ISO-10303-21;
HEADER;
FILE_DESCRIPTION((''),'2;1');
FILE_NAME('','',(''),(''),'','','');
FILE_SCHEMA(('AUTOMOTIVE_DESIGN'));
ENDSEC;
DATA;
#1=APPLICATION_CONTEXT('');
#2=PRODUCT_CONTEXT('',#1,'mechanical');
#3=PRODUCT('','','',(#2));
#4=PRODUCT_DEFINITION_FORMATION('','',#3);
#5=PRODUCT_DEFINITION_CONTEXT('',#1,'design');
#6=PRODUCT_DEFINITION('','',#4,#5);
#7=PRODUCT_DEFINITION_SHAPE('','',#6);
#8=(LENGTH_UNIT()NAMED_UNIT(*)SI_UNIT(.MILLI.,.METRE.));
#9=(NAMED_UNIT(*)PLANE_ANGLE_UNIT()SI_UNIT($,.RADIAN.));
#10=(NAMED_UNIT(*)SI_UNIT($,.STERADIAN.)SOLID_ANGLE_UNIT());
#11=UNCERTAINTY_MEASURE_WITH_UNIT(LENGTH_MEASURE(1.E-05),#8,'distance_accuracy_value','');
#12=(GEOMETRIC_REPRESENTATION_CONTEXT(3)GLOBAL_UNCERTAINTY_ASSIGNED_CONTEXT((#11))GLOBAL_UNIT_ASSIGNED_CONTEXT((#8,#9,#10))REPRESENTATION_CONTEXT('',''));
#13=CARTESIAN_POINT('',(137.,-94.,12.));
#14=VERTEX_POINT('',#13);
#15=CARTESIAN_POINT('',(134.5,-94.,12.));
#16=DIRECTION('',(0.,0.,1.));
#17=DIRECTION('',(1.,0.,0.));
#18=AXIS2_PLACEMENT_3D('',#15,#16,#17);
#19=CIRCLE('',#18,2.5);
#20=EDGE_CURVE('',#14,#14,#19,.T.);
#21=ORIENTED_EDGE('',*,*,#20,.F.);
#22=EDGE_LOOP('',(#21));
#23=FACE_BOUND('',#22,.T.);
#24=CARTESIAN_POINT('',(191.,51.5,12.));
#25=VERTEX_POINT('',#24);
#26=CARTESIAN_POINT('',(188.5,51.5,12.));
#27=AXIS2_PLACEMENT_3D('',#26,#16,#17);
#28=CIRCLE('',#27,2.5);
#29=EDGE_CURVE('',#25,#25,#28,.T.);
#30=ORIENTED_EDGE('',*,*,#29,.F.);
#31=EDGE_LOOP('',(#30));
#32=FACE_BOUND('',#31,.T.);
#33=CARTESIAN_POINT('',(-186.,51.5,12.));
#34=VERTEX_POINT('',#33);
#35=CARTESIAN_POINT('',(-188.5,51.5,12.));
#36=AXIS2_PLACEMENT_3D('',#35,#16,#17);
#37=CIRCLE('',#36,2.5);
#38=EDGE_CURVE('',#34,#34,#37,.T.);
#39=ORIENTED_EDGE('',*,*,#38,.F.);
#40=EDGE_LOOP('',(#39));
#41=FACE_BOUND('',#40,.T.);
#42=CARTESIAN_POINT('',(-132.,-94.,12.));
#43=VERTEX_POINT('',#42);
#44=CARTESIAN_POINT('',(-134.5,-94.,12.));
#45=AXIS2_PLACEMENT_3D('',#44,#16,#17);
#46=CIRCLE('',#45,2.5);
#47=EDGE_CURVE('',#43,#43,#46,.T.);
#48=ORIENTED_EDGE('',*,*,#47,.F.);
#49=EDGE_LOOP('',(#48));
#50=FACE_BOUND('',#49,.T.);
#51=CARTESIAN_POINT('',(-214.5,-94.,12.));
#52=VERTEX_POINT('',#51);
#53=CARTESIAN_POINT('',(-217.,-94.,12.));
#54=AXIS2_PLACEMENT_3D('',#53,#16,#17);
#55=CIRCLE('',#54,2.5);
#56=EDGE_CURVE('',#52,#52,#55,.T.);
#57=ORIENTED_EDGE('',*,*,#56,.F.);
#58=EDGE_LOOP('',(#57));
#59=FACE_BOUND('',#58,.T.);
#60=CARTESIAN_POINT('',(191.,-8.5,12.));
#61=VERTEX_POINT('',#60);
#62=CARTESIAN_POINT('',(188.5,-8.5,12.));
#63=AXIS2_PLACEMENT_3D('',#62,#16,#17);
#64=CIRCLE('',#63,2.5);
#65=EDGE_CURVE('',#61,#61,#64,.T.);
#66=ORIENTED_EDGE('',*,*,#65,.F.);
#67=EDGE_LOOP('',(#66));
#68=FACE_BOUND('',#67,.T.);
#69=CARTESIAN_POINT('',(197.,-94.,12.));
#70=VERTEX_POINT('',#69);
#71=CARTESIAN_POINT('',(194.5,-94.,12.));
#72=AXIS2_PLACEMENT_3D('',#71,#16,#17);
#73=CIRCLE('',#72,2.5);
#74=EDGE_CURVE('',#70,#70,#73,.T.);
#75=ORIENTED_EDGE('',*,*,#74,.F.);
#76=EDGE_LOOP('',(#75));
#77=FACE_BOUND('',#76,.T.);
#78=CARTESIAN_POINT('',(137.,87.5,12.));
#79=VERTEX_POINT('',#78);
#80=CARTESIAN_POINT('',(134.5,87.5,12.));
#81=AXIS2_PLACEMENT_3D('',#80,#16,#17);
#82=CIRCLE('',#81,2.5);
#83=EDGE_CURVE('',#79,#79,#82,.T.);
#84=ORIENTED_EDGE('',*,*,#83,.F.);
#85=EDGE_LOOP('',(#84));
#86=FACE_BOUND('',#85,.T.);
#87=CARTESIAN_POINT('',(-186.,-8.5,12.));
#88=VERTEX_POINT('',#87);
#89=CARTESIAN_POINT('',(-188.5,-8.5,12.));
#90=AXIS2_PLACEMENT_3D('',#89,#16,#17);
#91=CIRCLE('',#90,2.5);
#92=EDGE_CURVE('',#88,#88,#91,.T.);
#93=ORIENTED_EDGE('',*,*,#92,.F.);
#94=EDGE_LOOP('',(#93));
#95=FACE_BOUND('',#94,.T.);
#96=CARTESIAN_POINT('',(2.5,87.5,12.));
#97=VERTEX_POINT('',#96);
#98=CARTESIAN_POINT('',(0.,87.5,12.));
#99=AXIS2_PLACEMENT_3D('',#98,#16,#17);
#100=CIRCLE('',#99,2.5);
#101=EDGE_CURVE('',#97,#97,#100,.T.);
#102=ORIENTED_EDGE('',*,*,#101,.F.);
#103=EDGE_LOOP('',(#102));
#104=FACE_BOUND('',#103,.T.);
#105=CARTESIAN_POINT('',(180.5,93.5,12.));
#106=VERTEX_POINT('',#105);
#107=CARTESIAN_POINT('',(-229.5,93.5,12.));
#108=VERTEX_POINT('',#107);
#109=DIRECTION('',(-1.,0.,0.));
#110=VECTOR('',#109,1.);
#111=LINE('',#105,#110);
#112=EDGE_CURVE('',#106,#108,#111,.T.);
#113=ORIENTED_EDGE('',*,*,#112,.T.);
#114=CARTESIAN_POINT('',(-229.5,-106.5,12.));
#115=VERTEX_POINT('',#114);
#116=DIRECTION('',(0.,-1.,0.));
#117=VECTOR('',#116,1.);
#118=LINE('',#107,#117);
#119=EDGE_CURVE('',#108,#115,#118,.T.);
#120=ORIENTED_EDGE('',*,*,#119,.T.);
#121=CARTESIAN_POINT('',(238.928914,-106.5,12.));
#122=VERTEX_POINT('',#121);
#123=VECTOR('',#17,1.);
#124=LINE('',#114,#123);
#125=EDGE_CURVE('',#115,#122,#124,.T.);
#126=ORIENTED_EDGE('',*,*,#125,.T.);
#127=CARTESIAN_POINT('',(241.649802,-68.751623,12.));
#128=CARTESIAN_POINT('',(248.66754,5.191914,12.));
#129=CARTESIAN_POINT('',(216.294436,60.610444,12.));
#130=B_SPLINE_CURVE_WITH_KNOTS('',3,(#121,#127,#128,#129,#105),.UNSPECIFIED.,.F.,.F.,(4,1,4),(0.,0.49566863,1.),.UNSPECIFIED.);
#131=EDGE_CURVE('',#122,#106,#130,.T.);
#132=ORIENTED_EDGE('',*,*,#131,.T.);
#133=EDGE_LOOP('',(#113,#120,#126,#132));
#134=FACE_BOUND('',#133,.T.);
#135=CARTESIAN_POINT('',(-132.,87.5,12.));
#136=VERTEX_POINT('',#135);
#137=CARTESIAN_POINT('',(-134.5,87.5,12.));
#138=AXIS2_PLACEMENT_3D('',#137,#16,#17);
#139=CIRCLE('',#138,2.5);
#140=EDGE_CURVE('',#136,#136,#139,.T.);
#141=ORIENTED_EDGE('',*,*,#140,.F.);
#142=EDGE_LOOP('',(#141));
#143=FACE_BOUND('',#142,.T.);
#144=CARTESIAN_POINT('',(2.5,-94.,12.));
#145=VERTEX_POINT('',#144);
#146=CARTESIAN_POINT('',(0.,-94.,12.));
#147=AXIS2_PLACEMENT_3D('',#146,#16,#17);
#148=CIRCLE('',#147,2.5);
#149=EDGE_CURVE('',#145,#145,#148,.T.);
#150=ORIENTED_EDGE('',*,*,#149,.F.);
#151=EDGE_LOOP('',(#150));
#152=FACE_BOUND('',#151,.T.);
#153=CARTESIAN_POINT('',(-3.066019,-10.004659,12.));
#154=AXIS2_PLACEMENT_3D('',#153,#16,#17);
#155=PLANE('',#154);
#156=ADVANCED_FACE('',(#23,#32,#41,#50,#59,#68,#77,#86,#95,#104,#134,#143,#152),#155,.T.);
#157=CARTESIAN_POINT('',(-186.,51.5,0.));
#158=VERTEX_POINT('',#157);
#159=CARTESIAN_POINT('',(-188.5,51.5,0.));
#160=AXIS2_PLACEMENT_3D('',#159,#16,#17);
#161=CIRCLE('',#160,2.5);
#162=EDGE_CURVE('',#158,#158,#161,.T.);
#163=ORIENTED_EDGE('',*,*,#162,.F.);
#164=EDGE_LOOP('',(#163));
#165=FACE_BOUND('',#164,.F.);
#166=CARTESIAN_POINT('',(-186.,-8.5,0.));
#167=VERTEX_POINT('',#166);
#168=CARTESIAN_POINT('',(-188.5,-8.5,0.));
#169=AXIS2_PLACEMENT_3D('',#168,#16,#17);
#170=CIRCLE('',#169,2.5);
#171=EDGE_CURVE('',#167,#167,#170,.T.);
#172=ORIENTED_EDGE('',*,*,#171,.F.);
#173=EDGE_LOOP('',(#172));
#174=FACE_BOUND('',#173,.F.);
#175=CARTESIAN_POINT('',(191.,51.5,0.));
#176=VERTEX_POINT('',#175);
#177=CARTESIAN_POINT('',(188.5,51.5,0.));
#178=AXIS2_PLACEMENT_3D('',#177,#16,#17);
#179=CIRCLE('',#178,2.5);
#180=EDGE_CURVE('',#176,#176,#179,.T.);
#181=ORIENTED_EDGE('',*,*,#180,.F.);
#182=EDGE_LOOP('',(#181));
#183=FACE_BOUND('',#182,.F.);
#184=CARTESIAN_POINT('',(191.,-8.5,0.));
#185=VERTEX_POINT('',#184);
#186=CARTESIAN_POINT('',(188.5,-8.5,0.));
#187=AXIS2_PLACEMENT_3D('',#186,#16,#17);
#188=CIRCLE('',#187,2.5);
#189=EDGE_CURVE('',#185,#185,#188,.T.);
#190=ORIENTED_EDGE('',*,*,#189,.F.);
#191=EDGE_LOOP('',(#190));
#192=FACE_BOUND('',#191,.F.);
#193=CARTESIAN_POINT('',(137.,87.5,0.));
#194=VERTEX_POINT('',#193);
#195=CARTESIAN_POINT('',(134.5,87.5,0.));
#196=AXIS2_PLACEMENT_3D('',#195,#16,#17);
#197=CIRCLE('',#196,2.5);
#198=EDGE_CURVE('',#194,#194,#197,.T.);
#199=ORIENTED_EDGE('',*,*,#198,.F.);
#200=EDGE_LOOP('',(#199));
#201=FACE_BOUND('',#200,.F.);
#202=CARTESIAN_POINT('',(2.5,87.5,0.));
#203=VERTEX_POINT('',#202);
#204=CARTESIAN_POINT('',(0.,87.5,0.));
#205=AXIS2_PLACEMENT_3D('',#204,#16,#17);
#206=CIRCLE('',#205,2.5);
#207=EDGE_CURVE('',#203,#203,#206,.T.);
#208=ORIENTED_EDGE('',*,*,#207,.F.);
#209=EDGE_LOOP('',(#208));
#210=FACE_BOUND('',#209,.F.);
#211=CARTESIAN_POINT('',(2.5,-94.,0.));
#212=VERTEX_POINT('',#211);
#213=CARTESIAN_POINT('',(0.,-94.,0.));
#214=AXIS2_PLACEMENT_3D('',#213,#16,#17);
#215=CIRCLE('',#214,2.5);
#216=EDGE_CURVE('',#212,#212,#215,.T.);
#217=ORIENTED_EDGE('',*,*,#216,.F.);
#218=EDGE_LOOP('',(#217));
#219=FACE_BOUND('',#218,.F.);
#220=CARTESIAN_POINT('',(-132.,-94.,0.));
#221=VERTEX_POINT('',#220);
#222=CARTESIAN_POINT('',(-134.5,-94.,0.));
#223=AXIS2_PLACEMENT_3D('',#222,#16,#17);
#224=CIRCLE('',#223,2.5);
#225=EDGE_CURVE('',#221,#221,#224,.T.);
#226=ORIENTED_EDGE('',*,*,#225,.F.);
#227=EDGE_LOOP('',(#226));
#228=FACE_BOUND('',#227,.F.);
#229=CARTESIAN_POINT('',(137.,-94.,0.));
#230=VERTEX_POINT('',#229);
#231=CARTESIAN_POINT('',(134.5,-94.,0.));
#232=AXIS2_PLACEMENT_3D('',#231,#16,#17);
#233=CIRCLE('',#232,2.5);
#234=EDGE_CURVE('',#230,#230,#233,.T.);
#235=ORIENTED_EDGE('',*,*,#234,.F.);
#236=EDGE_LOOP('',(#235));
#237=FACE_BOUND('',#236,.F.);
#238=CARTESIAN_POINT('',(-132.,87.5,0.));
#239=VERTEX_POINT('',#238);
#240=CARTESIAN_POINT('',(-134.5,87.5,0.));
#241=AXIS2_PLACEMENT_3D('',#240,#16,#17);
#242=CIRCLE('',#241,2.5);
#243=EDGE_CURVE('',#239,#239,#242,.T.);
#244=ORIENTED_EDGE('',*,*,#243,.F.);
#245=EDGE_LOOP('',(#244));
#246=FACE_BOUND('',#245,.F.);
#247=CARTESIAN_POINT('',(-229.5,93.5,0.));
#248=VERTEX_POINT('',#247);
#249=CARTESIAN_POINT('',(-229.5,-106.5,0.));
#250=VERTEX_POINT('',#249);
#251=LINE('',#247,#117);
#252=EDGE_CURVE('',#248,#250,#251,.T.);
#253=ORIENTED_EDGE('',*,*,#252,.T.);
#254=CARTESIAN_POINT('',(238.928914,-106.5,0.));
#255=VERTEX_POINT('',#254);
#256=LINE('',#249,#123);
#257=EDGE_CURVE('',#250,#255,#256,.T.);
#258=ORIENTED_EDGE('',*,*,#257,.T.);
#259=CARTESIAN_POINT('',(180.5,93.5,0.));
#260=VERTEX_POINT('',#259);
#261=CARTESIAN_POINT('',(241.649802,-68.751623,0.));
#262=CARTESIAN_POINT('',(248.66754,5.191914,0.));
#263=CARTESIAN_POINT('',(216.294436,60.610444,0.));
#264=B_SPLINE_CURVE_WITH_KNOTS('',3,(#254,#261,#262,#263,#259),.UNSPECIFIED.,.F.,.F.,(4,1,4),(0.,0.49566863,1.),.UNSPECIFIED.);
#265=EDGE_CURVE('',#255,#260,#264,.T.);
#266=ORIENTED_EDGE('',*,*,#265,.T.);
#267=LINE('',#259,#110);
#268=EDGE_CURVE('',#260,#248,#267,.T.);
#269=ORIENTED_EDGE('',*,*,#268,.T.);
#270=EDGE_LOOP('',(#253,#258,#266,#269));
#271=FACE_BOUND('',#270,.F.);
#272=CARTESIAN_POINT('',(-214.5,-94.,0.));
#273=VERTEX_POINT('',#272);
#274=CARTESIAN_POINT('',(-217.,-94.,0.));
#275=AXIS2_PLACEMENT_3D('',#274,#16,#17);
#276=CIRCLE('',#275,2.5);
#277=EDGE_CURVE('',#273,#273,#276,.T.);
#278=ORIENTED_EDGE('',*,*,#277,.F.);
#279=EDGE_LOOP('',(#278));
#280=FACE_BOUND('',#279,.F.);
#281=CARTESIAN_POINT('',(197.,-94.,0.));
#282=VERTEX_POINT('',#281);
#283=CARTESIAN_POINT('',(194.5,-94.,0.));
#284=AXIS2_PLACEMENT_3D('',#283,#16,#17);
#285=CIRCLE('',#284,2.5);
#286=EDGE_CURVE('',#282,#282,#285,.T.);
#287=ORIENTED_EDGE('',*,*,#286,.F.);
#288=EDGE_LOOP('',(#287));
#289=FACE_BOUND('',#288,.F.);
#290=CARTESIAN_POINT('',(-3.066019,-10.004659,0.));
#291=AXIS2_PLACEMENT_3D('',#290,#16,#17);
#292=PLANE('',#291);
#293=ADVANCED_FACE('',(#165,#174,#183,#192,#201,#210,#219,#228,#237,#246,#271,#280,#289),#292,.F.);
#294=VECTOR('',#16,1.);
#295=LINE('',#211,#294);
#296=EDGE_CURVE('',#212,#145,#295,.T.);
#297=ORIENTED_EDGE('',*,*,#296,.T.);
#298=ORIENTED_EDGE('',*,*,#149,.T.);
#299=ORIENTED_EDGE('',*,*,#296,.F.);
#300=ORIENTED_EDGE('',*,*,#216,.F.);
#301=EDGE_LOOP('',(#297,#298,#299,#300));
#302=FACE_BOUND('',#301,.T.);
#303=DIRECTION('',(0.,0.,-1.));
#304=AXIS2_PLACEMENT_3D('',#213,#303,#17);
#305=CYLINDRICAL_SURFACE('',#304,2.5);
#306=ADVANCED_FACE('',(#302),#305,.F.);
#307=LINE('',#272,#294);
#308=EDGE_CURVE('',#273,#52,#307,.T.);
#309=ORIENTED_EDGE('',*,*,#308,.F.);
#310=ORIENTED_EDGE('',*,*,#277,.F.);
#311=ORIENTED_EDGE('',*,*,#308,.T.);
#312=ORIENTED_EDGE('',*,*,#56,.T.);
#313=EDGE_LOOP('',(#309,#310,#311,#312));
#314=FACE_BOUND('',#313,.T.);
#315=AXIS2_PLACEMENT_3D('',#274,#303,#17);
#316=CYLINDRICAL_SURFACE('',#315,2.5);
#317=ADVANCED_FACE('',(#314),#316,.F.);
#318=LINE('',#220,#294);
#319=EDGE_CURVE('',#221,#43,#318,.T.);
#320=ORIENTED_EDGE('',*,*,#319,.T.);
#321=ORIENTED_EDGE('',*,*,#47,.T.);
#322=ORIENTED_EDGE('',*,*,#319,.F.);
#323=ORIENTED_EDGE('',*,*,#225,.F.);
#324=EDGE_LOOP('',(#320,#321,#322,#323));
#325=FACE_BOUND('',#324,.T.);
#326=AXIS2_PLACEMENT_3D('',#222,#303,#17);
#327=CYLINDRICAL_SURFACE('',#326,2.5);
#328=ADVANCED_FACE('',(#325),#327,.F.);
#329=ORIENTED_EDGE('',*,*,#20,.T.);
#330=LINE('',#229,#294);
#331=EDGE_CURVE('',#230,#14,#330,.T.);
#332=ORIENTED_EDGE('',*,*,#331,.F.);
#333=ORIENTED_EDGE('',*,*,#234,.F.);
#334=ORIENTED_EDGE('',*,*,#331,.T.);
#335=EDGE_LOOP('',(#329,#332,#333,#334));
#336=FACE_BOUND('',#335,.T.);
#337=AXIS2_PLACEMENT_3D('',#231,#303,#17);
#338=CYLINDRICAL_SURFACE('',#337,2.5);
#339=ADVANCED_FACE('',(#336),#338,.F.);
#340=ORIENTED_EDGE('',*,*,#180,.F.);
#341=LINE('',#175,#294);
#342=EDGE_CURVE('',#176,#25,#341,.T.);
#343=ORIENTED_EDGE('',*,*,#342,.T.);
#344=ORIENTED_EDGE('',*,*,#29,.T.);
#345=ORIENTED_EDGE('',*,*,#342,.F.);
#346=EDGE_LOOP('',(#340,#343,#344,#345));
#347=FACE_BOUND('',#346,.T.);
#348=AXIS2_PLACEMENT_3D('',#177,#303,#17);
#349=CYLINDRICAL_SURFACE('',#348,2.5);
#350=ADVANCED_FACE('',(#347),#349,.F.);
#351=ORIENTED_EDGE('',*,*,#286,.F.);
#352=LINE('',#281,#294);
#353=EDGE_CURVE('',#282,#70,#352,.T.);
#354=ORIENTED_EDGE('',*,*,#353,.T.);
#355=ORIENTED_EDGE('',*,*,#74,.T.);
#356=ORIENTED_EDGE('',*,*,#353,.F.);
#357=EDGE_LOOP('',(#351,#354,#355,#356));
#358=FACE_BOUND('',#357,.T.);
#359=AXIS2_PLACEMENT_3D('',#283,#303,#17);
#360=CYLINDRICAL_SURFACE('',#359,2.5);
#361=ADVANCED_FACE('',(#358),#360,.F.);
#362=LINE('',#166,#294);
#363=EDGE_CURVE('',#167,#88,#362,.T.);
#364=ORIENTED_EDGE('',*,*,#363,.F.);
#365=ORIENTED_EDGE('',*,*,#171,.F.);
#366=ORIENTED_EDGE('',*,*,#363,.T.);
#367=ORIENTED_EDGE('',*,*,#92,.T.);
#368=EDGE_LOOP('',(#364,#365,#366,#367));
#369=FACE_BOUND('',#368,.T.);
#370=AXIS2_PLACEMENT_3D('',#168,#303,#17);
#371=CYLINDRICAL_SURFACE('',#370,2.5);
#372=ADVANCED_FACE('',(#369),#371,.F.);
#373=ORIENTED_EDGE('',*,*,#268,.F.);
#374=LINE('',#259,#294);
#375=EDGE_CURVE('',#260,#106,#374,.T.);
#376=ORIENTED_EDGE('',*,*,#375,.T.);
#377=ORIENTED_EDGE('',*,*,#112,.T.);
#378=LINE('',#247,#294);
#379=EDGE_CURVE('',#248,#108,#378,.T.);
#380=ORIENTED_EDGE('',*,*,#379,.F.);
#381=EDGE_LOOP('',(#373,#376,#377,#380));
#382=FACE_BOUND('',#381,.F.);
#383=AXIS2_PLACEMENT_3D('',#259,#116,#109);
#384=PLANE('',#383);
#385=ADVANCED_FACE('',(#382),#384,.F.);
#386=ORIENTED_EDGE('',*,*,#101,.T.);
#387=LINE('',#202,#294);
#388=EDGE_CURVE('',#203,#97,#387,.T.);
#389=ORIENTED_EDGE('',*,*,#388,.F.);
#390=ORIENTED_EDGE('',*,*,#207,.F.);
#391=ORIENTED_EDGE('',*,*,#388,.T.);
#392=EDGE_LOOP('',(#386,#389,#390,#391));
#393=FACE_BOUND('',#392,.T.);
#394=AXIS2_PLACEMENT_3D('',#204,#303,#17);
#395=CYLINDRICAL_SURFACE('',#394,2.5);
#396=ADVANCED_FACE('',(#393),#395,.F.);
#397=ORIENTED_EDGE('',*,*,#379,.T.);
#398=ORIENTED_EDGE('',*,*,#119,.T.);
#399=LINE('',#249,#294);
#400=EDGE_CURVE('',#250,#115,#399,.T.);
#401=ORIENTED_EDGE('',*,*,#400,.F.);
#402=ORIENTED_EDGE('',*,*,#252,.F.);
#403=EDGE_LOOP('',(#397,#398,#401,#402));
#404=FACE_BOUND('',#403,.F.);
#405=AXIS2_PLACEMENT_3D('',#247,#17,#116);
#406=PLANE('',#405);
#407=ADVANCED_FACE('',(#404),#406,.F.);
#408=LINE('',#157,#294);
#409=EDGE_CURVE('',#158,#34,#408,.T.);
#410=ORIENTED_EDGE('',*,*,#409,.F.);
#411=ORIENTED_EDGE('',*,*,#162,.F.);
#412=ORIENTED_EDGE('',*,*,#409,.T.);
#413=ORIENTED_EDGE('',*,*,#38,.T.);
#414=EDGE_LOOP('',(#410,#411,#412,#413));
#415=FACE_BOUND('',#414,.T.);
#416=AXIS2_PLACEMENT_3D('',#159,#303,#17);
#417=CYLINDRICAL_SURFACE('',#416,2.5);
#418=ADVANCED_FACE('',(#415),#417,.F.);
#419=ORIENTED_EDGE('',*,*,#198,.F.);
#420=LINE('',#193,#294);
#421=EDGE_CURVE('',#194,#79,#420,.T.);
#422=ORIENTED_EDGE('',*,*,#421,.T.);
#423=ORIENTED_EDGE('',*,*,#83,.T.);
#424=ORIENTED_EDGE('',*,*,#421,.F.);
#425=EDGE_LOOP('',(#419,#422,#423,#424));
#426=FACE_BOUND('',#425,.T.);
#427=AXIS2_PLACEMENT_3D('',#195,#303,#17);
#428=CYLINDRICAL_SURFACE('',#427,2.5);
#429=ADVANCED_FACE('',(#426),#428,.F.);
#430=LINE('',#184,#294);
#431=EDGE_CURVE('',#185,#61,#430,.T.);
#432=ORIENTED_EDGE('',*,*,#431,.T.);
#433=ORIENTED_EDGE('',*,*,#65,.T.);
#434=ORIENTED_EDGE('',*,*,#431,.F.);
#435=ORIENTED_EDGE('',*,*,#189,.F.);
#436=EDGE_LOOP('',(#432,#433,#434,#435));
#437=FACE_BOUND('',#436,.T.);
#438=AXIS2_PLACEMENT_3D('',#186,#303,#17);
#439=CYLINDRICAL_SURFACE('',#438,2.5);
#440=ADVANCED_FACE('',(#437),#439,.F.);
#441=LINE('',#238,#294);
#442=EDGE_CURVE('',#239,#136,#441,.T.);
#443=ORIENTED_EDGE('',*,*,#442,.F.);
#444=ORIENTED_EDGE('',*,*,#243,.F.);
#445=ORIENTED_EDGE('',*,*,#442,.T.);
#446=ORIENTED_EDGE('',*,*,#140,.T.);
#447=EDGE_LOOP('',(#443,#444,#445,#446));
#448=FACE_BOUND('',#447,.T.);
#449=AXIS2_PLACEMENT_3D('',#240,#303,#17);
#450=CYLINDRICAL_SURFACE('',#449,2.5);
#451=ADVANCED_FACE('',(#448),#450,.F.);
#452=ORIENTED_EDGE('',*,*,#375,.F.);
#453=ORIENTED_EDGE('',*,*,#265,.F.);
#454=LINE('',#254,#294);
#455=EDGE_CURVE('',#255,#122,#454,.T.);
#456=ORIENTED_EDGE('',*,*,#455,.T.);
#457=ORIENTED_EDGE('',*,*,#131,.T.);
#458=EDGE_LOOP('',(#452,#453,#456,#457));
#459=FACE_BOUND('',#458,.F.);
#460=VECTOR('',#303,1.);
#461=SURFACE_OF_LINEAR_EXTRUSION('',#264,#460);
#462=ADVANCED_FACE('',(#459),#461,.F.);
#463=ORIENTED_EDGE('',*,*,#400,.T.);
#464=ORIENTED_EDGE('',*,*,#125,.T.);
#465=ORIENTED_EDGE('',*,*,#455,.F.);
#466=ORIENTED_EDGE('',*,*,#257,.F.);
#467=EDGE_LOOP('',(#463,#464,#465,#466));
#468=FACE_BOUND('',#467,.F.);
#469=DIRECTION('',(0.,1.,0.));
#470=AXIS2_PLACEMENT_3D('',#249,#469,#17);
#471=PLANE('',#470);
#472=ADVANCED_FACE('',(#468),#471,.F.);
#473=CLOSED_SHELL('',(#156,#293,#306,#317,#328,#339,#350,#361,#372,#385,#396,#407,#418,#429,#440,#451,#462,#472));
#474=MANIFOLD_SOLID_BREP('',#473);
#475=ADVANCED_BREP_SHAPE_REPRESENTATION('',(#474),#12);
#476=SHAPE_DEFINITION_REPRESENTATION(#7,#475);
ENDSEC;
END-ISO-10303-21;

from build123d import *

# Parameters (mm, degrees)
F0_R     = 2.5
F1_DEPTH = 12


with BuildPart() as f1:
    # F0 (on Top) → F1 (new body)
    with BuildSketch(Plane.XY):
        with BuildLine():
            Line((-194.5, -106.5), (194.5, -106.5))
            Line((194.5, -106.5), (238.9289140701, -106.5))
            add(Edge.make_bspline(
                [(238.9289140701, -106.5), (241.6498019919, -68.7516226675), (248.6675399769, 5.1919141598), (216.2944364942, 60.6104442813), (180.5, 93.5)],
                knots=[0, 0, 0, 0, 0.4956686303, 1, 1, 1, 1], degree=3))
            Line((180.5, 93.5), (-194.5, 93.5))
            Line((-194.5, 93.5), (-229.5, 93.5))
            Line((-229.5, 93.5), (-229.5, -106.5))
            Line((-229.5, -106.5), (-194.5, -106.5))
        make_face()
        with Locations((-217, -94)):
            Circle(F0_R, mode=Mode.SUBTRACT)
        with Locations((-134.5, -94)):
            Circle(F0_R, mode=Mode.SUBTRACT)
        with Locations((0, -94)):
            Circle(F0_R, mode=Mode.SUBTRACT)
        with Locations((-188.5, -8.5)):
            Circle(F0_R, mode=Mode.SUBTRACT)
        with Locations((134.5, -94)):
            Circle(F0_R, mode=Mode.SUBTRACT)
        with Locations((194.5, -94)):
            Circle(F0_R, mode=Mode.SUBTRACT)
        with Locations((188.5, -8.5)):
            Circle(F0_R, mode=Mode.SUBTRACT)
        with Locations((-188.5, 51.5)):
            Circle(F0_R, mode=Mode.SUBTRACT)
        with Locations((-134.5, 87.5)):
            Circle(F0_R, mode=Mode.SUBTRACT)
        with Locations((0, 87.5)):
            Circle(F0_R, mode=Mode.SUBTRACT)
        with Locations((188.5, 51.5)):
            Circle(F0_R, mode=Mode.SUBTRACT)
        with Locations((134.5, 87.5)):
            Circle(F0_R, mode=Mode.SUBTRACT)
    extrude(amount=F1_DEPTH)


solid = f1.part
